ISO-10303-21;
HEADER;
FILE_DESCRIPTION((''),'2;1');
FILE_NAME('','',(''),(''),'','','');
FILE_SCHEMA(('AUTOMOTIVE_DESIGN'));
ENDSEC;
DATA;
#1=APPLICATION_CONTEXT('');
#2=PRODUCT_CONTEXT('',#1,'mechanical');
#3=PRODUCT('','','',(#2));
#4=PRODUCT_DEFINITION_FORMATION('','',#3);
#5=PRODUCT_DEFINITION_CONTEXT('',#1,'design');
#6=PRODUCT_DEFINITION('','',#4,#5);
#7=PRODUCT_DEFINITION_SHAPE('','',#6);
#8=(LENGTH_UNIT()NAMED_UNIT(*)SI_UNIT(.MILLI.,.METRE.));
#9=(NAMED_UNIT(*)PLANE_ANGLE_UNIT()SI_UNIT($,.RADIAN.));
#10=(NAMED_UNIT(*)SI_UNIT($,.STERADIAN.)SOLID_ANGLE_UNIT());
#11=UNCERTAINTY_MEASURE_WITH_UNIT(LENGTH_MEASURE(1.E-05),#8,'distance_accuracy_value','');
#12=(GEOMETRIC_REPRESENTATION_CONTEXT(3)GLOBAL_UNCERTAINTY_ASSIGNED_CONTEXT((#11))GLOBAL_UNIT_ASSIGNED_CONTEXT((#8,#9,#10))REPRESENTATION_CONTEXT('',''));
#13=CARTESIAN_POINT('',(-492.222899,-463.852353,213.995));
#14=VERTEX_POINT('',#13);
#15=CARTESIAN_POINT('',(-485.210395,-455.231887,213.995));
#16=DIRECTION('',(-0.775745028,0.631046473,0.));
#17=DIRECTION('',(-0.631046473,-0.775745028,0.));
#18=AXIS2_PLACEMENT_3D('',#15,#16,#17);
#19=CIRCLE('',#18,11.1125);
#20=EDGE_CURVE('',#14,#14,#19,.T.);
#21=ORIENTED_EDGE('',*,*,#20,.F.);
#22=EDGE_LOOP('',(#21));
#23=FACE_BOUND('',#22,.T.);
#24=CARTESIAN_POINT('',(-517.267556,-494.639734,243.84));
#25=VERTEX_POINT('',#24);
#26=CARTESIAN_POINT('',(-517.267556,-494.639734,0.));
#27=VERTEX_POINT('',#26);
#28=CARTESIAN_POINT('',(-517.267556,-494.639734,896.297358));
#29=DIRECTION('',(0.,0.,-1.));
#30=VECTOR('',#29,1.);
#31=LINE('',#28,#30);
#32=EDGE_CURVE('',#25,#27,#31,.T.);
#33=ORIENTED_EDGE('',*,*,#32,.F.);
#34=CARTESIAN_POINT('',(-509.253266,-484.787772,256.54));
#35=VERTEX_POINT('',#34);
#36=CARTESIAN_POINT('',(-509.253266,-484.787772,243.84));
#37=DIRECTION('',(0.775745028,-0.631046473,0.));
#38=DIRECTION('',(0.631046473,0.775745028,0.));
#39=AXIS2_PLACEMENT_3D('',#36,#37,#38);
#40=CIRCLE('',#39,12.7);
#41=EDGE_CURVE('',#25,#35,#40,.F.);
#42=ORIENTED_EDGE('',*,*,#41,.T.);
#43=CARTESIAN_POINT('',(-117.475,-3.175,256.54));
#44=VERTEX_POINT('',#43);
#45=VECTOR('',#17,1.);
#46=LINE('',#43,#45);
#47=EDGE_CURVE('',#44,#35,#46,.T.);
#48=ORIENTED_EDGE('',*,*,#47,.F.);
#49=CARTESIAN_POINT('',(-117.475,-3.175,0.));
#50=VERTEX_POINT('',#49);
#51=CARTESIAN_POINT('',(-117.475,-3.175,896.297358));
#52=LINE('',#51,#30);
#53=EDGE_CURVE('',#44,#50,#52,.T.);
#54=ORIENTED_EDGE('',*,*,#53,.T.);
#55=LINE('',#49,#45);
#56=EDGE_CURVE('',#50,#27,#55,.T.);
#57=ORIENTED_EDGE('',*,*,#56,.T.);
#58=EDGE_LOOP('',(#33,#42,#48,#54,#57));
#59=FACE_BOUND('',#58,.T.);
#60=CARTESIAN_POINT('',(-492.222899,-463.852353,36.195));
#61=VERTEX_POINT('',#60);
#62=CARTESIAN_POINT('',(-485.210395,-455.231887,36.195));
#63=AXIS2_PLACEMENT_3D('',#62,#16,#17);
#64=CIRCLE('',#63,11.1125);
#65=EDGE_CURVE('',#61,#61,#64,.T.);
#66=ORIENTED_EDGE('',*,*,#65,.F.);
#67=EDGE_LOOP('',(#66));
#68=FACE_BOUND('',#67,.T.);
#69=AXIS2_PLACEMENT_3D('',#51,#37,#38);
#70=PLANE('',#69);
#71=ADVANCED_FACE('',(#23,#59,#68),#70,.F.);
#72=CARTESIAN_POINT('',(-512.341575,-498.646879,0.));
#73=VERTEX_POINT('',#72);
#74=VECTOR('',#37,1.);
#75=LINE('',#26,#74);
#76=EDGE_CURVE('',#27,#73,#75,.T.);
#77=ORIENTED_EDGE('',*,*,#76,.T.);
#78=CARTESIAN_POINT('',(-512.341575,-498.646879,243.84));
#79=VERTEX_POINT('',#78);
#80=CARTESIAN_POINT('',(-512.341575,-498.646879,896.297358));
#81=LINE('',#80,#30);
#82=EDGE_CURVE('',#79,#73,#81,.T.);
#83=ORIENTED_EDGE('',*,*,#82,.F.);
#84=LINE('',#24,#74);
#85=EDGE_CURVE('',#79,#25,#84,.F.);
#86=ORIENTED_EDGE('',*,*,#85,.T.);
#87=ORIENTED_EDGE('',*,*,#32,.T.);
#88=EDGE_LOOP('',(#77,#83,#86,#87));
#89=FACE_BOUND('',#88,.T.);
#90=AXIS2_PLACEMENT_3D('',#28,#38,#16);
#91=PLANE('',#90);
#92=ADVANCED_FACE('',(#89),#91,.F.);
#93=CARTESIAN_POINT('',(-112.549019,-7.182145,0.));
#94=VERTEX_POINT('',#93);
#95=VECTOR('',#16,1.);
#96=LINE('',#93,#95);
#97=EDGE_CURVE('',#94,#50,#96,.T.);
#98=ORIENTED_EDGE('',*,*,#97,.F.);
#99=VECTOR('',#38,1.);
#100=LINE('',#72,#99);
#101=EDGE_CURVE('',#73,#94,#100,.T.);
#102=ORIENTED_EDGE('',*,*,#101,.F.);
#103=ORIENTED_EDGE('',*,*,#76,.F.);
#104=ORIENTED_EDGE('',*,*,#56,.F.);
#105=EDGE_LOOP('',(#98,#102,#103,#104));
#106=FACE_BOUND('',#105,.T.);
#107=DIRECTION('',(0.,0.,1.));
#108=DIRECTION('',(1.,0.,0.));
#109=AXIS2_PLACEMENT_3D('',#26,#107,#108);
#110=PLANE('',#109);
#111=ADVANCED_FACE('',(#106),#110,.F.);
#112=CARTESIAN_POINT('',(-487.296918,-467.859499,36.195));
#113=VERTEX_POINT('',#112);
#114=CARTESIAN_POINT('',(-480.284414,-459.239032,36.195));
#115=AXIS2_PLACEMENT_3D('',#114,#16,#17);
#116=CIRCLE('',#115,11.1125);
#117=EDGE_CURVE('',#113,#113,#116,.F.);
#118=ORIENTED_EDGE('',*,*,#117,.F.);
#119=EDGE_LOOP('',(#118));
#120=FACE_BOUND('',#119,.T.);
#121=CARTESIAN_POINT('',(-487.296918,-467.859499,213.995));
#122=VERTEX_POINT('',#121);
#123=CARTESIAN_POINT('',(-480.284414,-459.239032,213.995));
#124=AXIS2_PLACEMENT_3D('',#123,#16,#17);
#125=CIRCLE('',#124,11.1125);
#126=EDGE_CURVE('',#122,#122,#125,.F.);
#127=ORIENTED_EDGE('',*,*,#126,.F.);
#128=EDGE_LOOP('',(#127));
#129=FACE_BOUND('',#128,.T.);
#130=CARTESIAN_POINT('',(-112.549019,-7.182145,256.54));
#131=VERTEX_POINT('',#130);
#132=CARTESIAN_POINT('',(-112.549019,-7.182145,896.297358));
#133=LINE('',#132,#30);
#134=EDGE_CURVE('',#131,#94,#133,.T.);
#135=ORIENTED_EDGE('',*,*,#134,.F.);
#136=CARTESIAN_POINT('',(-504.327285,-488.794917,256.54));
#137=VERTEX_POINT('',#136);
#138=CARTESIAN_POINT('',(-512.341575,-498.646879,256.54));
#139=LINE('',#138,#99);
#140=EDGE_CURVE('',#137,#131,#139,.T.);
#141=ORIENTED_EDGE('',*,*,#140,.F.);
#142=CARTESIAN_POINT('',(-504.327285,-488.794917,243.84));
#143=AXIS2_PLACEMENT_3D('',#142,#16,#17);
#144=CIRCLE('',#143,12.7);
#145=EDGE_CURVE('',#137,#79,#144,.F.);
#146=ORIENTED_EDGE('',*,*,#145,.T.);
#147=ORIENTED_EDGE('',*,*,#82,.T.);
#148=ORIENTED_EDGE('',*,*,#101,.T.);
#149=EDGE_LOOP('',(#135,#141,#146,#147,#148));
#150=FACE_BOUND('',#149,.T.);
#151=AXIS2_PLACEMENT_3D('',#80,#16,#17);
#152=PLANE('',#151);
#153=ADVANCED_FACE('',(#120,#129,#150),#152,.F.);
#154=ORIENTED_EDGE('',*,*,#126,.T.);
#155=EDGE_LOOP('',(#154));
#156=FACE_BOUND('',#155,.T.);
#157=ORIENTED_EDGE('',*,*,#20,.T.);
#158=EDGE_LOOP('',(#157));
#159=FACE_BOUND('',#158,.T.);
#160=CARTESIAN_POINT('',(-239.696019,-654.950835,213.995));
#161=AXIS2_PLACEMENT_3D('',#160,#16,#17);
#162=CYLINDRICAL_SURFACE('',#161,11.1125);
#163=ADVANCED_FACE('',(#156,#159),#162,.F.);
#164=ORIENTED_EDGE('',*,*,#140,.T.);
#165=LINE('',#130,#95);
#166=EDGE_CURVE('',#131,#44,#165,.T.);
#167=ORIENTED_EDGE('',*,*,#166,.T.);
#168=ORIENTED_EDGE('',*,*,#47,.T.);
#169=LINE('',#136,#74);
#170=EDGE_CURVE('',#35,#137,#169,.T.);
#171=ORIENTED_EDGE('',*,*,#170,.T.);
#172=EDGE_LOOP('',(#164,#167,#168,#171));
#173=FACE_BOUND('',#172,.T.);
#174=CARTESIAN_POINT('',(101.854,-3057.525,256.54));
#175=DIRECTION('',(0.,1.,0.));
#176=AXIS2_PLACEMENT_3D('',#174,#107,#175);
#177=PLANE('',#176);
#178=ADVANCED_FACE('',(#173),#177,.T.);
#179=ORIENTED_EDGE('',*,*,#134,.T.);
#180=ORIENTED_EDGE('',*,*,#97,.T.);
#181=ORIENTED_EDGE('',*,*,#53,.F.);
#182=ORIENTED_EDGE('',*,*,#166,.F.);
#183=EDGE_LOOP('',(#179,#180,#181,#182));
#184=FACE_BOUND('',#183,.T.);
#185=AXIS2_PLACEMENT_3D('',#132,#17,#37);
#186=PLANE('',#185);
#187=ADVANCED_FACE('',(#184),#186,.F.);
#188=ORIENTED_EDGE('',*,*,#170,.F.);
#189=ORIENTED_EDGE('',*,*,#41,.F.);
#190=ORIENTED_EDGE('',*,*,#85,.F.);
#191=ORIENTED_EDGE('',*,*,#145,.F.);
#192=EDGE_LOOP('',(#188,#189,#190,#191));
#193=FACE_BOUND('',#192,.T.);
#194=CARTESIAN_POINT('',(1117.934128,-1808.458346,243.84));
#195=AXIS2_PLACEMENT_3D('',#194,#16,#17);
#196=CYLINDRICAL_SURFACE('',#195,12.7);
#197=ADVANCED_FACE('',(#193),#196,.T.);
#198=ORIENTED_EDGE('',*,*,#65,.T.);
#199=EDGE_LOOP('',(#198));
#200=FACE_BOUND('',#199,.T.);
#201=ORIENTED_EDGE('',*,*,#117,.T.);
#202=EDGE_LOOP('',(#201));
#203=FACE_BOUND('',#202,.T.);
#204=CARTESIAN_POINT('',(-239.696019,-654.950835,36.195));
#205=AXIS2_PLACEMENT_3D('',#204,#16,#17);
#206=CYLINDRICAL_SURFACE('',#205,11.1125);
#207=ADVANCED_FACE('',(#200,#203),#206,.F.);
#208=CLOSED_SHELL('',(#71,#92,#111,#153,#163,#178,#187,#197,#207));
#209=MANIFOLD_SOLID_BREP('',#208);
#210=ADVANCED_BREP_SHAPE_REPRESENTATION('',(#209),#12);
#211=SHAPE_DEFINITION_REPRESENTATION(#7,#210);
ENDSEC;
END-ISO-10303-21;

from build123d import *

# Parameters (mm, degrees)
BOSS_EXTRUDE1_DEPTH = 256.54
CUT_EXTRUDE1_REACH  = 759.98
SKETCH2_R           = 11.1125
FILLET1_R           = 12.7


with BuildPart() as part:
    # Sketch1 → Boss-Extrude1 (new body)
    with BuildSketch(Plane.XY):
        Polygon((-112.549019073, -7.182145107), (-117.475, -3.175), (-517.267555835, -494.639734243), (-512.341574908, -498.646879349), align=None)
    extrude(amount=BOSS_EXTRUDE1_DEPTH)

    # Sketch2 → Cut-Extrude1 (cut, up to next)
    with BuildSketch(Plane(origin=(-69.139884972, 56.243326117, 0), x_dir=(0, 0, 1), z_dir=(-0.77574502790219, 0.6310464734748387, 0)), mode=Mode.PRIVATE) as cut_extrude1_sk1:
        with Locations(Location((36.195, -659.334181394, 0), (0, 0, 270))):
            Circle(SKETCH2_R)
    cut_extrude1_tool1 = extrude(cut_extrude1_sk1.sketch, amount=-CUT_EXTRUDE1_REACH, mode=Mode.PRIVATE) & part.part
    # Sketch2 → Cut-Extrude1 (cut, up to next)
    with BuildSketch(Plane(origin=(-69.139884972, 56.243326117, 0), x_dir=(0, 0, 1), z_dir=(-0.77574502790219, 0.6310464734748387, 0)), mode=Mode.PRIVATE) as cut_extrude1_sk2:
        with Locations(Location((213.995, -659.334181394, 0), (0, 0, 270))):
            Circle(SKETCH2_R)
    cut_extrude1_tool2 = extrude(cut_extrude1_sk2.sketch, amount=-CUT_EXTRUDE1_REACH, mode=Mode.PRIVATE) & part.part
    add(cut_extrude1_tool1.solids().sort_by_distance((-485.210395, -455.231887, 36.195))[0], mode=Mode.SUBTRACT)
    add(cut_extrude1_tool2.solids().sort_by_distance((-485.210395, -455.231887, 213.995))[0], mode=Mode.SUBTRACT)

    # Fillet1
    fillet1_edges = [part.edges().sort_by_distance(p)[0] for p in [
        (-514.804565371, -496.643306796, 256.54),
    ]]
    fillet(fillet1_edges, radius=FILLET1_R)


solid = part.part
